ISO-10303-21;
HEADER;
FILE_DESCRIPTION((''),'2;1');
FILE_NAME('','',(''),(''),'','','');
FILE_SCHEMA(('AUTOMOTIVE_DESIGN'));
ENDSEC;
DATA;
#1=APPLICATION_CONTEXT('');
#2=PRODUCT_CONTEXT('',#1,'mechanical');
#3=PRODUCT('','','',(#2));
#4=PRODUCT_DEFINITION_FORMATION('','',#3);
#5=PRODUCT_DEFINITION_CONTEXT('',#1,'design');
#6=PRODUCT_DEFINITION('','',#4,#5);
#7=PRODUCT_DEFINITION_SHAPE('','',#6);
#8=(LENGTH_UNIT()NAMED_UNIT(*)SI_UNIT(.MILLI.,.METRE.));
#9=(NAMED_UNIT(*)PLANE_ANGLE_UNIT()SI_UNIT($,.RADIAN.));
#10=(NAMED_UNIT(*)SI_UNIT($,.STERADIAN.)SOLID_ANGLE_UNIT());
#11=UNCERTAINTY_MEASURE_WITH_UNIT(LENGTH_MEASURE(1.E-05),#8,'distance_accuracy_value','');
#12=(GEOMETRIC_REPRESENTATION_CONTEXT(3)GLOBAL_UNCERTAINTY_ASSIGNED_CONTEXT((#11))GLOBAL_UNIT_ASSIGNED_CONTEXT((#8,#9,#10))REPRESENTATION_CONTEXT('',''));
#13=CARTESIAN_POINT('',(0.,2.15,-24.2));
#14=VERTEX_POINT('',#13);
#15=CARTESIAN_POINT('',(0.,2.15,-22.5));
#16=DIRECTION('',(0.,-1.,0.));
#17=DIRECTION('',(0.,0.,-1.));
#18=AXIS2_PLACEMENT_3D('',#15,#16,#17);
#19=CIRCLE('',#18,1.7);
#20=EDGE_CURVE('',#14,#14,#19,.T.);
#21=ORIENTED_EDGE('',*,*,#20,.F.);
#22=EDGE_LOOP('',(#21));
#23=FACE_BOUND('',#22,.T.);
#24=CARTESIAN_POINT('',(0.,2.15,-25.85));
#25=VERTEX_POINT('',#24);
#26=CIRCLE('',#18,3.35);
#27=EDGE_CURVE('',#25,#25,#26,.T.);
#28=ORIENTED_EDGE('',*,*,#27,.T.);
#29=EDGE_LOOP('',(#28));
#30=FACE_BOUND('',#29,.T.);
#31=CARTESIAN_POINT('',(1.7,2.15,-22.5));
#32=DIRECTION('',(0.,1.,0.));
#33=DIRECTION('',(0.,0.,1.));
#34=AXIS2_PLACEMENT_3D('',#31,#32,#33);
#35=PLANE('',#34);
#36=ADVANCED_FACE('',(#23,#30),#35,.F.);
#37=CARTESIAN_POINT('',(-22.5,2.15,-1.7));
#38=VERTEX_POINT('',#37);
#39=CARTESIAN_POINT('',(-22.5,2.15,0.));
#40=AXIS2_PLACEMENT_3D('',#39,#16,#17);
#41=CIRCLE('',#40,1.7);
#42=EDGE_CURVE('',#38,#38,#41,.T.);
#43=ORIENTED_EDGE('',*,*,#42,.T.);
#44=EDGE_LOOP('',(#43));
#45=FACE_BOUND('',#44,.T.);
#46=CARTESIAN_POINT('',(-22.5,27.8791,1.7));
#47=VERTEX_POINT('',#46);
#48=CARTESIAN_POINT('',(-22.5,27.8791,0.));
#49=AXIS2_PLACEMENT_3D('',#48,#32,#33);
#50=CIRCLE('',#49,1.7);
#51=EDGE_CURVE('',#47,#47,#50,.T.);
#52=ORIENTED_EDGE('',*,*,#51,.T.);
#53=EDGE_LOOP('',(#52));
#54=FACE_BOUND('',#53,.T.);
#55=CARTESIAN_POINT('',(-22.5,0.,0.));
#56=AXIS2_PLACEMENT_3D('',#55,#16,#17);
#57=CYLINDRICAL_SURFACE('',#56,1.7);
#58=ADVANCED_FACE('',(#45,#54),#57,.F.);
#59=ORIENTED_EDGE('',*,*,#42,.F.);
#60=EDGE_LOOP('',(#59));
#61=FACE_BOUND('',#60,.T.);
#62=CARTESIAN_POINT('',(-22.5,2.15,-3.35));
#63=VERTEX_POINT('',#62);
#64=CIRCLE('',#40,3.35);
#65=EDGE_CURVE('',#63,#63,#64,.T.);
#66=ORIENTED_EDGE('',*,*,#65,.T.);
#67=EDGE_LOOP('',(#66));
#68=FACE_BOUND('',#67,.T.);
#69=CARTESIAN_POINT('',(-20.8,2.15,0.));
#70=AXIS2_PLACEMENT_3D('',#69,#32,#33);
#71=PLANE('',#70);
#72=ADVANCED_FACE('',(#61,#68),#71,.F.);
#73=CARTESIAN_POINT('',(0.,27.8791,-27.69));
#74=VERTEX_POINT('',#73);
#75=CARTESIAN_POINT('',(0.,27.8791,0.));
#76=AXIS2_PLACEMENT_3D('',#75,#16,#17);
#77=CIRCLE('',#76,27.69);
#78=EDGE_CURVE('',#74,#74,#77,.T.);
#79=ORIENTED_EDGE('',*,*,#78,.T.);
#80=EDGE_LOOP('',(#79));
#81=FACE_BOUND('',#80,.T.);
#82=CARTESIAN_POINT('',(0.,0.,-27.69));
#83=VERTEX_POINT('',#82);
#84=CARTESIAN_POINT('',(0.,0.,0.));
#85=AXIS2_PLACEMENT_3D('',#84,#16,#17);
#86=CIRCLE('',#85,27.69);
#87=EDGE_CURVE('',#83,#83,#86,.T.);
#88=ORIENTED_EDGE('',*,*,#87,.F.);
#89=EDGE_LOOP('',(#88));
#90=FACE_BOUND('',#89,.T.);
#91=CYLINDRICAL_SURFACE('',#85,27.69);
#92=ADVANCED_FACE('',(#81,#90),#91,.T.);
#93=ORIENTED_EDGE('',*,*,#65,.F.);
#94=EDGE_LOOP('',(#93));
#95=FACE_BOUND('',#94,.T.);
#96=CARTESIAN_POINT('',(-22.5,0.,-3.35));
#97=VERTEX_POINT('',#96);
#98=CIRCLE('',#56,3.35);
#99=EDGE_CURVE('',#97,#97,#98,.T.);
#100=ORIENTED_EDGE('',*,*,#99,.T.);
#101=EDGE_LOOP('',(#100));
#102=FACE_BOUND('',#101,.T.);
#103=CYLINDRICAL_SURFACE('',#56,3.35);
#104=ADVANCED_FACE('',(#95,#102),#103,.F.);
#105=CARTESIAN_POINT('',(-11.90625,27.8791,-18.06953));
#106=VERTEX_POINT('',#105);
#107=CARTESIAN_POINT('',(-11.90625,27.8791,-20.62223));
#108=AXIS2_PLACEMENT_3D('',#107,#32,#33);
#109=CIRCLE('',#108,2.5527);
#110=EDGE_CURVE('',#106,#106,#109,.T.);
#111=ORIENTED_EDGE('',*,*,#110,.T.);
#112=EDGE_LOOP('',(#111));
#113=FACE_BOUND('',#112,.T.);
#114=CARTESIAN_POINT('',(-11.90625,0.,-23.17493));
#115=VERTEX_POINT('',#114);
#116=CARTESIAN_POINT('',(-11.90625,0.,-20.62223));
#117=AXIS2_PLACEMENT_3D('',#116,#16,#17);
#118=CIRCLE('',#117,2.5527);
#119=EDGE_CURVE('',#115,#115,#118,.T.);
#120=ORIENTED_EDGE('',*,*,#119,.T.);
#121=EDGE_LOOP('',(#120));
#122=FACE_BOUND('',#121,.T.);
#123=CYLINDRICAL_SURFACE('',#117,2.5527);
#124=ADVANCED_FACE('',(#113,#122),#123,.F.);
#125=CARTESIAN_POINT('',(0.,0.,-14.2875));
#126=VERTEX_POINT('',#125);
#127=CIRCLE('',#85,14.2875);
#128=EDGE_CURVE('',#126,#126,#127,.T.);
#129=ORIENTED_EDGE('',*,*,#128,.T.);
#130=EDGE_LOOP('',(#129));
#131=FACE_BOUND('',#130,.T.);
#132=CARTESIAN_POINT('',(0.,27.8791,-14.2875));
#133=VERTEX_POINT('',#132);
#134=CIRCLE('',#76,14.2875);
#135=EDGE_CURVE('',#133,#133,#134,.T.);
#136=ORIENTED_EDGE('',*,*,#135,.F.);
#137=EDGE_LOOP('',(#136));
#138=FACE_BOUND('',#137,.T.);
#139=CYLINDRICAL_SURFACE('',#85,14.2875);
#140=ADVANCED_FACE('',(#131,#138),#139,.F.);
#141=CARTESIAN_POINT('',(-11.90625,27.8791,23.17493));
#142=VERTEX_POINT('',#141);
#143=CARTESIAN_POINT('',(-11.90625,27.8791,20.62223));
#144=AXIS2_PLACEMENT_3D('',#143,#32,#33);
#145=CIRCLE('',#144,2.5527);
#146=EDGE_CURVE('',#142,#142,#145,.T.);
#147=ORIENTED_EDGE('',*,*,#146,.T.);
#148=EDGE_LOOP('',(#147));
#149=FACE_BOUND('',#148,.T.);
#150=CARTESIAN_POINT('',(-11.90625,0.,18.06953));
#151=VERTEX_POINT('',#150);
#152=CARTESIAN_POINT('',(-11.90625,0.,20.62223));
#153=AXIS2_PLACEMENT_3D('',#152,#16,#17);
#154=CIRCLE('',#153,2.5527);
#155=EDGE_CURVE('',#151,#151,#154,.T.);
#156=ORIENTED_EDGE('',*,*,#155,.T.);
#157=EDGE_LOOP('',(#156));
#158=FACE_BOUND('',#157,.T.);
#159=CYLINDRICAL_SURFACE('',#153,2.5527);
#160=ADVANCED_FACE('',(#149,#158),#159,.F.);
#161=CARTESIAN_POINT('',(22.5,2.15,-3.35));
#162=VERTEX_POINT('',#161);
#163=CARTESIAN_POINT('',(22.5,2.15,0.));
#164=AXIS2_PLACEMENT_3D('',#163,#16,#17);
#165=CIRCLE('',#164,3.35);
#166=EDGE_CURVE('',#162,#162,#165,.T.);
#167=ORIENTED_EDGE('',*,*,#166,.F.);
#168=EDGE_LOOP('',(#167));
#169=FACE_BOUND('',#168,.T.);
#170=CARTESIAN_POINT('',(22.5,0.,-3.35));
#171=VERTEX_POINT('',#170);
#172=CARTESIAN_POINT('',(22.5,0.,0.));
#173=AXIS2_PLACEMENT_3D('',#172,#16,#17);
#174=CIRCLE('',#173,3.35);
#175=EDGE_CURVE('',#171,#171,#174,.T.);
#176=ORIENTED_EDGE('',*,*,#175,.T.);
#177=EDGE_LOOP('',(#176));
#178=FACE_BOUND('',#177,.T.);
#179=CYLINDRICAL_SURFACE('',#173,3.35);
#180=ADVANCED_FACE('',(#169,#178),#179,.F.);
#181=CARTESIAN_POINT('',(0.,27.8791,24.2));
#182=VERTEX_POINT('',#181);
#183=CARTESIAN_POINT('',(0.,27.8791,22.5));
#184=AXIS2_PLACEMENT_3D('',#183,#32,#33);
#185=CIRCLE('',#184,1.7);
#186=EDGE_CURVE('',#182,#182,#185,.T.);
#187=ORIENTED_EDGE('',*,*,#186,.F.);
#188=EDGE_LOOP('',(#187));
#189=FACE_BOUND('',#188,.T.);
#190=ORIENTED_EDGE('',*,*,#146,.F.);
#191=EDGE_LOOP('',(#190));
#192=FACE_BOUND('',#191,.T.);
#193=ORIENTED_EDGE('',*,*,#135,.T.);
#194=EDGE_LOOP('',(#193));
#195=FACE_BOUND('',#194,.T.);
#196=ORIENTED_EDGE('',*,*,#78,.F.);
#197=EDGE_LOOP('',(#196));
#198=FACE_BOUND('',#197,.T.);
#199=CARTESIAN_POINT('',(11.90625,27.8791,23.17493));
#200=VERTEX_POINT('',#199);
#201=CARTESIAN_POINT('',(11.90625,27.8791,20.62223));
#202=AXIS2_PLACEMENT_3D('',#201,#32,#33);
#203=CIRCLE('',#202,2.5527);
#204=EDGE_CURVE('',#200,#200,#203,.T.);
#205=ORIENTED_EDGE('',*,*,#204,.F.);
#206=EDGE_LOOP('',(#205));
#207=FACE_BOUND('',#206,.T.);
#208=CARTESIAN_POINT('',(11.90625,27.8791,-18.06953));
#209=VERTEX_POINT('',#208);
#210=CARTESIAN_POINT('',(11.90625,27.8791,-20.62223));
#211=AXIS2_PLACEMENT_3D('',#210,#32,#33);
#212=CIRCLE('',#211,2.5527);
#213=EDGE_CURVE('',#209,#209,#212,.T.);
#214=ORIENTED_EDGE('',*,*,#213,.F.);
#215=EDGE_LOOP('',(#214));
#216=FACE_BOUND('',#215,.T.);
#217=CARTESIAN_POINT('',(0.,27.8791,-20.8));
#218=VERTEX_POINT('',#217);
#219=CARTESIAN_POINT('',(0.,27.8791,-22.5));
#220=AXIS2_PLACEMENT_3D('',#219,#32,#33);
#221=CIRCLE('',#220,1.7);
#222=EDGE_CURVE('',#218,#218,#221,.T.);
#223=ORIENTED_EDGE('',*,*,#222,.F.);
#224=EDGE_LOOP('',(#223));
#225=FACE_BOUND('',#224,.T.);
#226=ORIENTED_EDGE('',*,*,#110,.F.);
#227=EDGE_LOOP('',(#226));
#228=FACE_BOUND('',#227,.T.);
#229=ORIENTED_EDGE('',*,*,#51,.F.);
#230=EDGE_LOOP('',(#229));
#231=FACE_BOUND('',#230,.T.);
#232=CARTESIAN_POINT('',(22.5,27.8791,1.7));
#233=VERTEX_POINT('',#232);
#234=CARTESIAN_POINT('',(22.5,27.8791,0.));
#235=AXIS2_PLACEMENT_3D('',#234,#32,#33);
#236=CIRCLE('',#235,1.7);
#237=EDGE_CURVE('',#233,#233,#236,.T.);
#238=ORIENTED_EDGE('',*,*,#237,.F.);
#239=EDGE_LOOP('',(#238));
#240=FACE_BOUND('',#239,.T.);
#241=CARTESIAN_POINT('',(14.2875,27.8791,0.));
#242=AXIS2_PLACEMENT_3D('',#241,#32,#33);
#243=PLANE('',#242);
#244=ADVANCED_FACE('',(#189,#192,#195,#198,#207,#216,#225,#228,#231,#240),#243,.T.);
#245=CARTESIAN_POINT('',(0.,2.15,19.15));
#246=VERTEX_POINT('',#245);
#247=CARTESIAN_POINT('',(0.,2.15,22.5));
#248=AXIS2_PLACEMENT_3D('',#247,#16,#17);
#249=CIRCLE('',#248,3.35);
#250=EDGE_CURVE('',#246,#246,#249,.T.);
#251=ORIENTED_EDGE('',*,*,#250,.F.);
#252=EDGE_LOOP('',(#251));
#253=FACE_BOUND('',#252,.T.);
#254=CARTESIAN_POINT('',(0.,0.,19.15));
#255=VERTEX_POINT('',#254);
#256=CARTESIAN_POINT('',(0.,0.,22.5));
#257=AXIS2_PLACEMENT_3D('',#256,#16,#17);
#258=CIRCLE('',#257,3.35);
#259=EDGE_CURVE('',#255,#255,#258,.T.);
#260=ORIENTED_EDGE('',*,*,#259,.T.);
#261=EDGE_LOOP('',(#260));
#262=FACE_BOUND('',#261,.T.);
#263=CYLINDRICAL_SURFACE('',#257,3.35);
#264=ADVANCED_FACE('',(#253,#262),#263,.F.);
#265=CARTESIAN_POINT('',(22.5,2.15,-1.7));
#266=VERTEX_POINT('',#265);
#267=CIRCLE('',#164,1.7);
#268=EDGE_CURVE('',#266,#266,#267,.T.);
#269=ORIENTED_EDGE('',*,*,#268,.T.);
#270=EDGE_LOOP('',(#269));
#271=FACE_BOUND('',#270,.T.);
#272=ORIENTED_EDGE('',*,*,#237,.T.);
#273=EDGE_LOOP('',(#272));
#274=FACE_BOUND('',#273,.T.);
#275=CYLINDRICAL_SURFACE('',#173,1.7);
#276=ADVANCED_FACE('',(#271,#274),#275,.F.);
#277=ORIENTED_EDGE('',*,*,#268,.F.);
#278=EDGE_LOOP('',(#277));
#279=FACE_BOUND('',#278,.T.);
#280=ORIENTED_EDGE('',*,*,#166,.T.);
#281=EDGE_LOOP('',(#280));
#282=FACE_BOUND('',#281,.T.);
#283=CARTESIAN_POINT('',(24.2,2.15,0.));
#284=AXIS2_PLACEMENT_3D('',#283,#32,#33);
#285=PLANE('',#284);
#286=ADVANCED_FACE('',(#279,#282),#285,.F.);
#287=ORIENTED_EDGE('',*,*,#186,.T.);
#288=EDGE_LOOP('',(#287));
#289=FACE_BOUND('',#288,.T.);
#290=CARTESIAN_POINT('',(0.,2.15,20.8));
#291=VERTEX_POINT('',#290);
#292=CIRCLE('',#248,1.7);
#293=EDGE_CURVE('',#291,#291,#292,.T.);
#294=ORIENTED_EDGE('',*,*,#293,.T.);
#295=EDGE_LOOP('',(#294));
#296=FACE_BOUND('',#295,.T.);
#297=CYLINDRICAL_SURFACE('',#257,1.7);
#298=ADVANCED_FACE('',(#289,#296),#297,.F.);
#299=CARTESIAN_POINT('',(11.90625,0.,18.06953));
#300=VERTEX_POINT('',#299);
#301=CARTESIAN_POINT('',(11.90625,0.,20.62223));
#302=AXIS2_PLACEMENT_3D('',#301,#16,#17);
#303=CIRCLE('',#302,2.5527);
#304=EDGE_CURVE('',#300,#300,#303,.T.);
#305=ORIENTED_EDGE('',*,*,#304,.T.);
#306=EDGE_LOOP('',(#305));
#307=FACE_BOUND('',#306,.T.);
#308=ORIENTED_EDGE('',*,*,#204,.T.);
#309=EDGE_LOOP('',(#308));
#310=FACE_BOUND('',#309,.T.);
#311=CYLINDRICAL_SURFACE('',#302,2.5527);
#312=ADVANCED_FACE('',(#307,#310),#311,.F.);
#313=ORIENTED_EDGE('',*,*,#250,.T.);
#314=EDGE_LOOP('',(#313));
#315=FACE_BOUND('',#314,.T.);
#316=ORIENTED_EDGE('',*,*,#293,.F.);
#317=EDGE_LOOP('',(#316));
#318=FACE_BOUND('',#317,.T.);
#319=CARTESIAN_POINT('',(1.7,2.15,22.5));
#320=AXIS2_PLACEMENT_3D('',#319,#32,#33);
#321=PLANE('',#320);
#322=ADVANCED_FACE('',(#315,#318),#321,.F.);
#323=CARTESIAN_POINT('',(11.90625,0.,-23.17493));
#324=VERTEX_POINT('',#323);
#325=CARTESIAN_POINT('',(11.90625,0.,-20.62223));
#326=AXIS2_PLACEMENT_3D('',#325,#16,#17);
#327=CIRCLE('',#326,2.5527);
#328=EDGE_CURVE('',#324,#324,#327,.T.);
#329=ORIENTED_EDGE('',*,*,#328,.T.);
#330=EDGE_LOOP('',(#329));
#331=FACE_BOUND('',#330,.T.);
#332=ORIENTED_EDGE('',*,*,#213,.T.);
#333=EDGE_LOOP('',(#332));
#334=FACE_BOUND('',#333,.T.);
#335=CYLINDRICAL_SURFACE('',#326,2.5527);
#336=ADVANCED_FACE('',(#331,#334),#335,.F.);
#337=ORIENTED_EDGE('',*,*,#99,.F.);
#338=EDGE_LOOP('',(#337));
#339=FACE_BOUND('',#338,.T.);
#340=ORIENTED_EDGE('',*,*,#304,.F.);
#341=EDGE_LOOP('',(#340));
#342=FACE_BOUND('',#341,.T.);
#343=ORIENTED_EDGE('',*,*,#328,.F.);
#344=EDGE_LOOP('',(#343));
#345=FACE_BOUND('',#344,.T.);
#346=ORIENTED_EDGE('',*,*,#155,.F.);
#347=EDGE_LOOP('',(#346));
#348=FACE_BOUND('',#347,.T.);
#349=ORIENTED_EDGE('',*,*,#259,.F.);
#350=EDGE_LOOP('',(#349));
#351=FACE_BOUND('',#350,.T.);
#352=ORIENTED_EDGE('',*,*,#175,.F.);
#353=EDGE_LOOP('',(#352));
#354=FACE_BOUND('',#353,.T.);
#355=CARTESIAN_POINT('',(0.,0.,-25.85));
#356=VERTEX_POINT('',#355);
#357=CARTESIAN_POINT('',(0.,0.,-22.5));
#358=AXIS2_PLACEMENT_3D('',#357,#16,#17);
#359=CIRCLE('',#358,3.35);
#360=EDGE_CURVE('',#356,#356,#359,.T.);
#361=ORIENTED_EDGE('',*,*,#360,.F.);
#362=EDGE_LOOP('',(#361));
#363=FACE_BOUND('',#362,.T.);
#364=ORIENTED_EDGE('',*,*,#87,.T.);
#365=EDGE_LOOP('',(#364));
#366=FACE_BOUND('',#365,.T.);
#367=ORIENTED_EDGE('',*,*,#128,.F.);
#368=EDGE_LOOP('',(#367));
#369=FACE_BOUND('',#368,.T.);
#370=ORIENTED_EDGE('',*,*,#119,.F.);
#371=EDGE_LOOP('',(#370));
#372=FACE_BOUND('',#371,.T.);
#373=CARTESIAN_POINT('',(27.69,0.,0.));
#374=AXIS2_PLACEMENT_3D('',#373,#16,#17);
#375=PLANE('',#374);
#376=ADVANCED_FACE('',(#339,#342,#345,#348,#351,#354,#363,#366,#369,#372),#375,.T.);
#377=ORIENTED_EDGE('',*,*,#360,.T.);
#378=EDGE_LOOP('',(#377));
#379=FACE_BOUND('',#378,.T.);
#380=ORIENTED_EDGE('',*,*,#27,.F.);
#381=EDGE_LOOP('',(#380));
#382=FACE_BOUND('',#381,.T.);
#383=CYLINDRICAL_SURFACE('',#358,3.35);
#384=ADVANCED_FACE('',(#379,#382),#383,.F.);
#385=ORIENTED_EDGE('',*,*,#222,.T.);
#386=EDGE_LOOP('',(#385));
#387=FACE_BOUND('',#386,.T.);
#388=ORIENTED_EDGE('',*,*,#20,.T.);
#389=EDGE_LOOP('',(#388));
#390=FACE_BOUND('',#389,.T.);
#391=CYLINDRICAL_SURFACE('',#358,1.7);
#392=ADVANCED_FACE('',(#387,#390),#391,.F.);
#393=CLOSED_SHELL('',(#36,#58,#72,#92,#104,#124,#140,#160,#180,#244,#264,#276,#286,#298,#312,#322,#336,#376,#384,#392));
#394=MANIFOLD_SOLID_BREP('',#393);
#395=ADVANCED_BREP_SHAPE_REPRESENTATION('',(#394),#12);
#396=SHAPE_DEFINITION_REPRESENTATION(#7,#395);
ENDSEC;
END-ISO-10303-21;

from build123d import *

# Parameters (mm, degrees)
SKETCH1_W                       = 13.4025
SKETCH1_H                       = 27.8791
CBORE_FOR_M3_SBHCS1_D           = 3.4
CBORE_FOR_M3_SBHCS1_CBORE_D     = 6.7
CBORE_FOR_M3_SBHCS1_CBORE_DEPTH = 2.15
F_10_CLEARANCE_HOLE1_D          = 5.1054


with BuildPart() as part:
    # Sketch1 → Revolve1 (revolve)
    with BuildSketch(Plane.XY, mode=Mode.PRIVATE) as revolve1_sk:
        with Locations((20.98875, 13.93955)):
            Rectangle(SKETCH1_W, SKETCH1_H)
    revolve(revolve1_sk.sketch.rotate(Axis((0, 0, 0), (0, 1, 0)), 90), axis=Axis((0, 0, 0), (0, 1, 0)))

    # CBORE for M3 SBHCS1 (through all)
    with Locations(Plane.XZ):
        with Locations((0, 22.5), (0, -22.5), (22.5, 0), (-22.5, 0)):
            CounterBoreHole(CBORE_FOR_M3_SBHCS1_D / 2, CBORE_FOR_M3_SBHCS1_CBORE_D / 2, CBORE_FOR_M3_SBHCS1_CBORE_DEPTH)

    # #10 Clearance Hole1 (through all)
    with Locations(Plane.XZ):
        with Locations((-11.90625, 20.622229928), (-11.90625, -20.622229928), (11.90625, -20.622229928), (11.90625, 20.622229928)):
            Hole(F_10_CLEARANCE_HOLE1_D / 2)


solid = part.part
